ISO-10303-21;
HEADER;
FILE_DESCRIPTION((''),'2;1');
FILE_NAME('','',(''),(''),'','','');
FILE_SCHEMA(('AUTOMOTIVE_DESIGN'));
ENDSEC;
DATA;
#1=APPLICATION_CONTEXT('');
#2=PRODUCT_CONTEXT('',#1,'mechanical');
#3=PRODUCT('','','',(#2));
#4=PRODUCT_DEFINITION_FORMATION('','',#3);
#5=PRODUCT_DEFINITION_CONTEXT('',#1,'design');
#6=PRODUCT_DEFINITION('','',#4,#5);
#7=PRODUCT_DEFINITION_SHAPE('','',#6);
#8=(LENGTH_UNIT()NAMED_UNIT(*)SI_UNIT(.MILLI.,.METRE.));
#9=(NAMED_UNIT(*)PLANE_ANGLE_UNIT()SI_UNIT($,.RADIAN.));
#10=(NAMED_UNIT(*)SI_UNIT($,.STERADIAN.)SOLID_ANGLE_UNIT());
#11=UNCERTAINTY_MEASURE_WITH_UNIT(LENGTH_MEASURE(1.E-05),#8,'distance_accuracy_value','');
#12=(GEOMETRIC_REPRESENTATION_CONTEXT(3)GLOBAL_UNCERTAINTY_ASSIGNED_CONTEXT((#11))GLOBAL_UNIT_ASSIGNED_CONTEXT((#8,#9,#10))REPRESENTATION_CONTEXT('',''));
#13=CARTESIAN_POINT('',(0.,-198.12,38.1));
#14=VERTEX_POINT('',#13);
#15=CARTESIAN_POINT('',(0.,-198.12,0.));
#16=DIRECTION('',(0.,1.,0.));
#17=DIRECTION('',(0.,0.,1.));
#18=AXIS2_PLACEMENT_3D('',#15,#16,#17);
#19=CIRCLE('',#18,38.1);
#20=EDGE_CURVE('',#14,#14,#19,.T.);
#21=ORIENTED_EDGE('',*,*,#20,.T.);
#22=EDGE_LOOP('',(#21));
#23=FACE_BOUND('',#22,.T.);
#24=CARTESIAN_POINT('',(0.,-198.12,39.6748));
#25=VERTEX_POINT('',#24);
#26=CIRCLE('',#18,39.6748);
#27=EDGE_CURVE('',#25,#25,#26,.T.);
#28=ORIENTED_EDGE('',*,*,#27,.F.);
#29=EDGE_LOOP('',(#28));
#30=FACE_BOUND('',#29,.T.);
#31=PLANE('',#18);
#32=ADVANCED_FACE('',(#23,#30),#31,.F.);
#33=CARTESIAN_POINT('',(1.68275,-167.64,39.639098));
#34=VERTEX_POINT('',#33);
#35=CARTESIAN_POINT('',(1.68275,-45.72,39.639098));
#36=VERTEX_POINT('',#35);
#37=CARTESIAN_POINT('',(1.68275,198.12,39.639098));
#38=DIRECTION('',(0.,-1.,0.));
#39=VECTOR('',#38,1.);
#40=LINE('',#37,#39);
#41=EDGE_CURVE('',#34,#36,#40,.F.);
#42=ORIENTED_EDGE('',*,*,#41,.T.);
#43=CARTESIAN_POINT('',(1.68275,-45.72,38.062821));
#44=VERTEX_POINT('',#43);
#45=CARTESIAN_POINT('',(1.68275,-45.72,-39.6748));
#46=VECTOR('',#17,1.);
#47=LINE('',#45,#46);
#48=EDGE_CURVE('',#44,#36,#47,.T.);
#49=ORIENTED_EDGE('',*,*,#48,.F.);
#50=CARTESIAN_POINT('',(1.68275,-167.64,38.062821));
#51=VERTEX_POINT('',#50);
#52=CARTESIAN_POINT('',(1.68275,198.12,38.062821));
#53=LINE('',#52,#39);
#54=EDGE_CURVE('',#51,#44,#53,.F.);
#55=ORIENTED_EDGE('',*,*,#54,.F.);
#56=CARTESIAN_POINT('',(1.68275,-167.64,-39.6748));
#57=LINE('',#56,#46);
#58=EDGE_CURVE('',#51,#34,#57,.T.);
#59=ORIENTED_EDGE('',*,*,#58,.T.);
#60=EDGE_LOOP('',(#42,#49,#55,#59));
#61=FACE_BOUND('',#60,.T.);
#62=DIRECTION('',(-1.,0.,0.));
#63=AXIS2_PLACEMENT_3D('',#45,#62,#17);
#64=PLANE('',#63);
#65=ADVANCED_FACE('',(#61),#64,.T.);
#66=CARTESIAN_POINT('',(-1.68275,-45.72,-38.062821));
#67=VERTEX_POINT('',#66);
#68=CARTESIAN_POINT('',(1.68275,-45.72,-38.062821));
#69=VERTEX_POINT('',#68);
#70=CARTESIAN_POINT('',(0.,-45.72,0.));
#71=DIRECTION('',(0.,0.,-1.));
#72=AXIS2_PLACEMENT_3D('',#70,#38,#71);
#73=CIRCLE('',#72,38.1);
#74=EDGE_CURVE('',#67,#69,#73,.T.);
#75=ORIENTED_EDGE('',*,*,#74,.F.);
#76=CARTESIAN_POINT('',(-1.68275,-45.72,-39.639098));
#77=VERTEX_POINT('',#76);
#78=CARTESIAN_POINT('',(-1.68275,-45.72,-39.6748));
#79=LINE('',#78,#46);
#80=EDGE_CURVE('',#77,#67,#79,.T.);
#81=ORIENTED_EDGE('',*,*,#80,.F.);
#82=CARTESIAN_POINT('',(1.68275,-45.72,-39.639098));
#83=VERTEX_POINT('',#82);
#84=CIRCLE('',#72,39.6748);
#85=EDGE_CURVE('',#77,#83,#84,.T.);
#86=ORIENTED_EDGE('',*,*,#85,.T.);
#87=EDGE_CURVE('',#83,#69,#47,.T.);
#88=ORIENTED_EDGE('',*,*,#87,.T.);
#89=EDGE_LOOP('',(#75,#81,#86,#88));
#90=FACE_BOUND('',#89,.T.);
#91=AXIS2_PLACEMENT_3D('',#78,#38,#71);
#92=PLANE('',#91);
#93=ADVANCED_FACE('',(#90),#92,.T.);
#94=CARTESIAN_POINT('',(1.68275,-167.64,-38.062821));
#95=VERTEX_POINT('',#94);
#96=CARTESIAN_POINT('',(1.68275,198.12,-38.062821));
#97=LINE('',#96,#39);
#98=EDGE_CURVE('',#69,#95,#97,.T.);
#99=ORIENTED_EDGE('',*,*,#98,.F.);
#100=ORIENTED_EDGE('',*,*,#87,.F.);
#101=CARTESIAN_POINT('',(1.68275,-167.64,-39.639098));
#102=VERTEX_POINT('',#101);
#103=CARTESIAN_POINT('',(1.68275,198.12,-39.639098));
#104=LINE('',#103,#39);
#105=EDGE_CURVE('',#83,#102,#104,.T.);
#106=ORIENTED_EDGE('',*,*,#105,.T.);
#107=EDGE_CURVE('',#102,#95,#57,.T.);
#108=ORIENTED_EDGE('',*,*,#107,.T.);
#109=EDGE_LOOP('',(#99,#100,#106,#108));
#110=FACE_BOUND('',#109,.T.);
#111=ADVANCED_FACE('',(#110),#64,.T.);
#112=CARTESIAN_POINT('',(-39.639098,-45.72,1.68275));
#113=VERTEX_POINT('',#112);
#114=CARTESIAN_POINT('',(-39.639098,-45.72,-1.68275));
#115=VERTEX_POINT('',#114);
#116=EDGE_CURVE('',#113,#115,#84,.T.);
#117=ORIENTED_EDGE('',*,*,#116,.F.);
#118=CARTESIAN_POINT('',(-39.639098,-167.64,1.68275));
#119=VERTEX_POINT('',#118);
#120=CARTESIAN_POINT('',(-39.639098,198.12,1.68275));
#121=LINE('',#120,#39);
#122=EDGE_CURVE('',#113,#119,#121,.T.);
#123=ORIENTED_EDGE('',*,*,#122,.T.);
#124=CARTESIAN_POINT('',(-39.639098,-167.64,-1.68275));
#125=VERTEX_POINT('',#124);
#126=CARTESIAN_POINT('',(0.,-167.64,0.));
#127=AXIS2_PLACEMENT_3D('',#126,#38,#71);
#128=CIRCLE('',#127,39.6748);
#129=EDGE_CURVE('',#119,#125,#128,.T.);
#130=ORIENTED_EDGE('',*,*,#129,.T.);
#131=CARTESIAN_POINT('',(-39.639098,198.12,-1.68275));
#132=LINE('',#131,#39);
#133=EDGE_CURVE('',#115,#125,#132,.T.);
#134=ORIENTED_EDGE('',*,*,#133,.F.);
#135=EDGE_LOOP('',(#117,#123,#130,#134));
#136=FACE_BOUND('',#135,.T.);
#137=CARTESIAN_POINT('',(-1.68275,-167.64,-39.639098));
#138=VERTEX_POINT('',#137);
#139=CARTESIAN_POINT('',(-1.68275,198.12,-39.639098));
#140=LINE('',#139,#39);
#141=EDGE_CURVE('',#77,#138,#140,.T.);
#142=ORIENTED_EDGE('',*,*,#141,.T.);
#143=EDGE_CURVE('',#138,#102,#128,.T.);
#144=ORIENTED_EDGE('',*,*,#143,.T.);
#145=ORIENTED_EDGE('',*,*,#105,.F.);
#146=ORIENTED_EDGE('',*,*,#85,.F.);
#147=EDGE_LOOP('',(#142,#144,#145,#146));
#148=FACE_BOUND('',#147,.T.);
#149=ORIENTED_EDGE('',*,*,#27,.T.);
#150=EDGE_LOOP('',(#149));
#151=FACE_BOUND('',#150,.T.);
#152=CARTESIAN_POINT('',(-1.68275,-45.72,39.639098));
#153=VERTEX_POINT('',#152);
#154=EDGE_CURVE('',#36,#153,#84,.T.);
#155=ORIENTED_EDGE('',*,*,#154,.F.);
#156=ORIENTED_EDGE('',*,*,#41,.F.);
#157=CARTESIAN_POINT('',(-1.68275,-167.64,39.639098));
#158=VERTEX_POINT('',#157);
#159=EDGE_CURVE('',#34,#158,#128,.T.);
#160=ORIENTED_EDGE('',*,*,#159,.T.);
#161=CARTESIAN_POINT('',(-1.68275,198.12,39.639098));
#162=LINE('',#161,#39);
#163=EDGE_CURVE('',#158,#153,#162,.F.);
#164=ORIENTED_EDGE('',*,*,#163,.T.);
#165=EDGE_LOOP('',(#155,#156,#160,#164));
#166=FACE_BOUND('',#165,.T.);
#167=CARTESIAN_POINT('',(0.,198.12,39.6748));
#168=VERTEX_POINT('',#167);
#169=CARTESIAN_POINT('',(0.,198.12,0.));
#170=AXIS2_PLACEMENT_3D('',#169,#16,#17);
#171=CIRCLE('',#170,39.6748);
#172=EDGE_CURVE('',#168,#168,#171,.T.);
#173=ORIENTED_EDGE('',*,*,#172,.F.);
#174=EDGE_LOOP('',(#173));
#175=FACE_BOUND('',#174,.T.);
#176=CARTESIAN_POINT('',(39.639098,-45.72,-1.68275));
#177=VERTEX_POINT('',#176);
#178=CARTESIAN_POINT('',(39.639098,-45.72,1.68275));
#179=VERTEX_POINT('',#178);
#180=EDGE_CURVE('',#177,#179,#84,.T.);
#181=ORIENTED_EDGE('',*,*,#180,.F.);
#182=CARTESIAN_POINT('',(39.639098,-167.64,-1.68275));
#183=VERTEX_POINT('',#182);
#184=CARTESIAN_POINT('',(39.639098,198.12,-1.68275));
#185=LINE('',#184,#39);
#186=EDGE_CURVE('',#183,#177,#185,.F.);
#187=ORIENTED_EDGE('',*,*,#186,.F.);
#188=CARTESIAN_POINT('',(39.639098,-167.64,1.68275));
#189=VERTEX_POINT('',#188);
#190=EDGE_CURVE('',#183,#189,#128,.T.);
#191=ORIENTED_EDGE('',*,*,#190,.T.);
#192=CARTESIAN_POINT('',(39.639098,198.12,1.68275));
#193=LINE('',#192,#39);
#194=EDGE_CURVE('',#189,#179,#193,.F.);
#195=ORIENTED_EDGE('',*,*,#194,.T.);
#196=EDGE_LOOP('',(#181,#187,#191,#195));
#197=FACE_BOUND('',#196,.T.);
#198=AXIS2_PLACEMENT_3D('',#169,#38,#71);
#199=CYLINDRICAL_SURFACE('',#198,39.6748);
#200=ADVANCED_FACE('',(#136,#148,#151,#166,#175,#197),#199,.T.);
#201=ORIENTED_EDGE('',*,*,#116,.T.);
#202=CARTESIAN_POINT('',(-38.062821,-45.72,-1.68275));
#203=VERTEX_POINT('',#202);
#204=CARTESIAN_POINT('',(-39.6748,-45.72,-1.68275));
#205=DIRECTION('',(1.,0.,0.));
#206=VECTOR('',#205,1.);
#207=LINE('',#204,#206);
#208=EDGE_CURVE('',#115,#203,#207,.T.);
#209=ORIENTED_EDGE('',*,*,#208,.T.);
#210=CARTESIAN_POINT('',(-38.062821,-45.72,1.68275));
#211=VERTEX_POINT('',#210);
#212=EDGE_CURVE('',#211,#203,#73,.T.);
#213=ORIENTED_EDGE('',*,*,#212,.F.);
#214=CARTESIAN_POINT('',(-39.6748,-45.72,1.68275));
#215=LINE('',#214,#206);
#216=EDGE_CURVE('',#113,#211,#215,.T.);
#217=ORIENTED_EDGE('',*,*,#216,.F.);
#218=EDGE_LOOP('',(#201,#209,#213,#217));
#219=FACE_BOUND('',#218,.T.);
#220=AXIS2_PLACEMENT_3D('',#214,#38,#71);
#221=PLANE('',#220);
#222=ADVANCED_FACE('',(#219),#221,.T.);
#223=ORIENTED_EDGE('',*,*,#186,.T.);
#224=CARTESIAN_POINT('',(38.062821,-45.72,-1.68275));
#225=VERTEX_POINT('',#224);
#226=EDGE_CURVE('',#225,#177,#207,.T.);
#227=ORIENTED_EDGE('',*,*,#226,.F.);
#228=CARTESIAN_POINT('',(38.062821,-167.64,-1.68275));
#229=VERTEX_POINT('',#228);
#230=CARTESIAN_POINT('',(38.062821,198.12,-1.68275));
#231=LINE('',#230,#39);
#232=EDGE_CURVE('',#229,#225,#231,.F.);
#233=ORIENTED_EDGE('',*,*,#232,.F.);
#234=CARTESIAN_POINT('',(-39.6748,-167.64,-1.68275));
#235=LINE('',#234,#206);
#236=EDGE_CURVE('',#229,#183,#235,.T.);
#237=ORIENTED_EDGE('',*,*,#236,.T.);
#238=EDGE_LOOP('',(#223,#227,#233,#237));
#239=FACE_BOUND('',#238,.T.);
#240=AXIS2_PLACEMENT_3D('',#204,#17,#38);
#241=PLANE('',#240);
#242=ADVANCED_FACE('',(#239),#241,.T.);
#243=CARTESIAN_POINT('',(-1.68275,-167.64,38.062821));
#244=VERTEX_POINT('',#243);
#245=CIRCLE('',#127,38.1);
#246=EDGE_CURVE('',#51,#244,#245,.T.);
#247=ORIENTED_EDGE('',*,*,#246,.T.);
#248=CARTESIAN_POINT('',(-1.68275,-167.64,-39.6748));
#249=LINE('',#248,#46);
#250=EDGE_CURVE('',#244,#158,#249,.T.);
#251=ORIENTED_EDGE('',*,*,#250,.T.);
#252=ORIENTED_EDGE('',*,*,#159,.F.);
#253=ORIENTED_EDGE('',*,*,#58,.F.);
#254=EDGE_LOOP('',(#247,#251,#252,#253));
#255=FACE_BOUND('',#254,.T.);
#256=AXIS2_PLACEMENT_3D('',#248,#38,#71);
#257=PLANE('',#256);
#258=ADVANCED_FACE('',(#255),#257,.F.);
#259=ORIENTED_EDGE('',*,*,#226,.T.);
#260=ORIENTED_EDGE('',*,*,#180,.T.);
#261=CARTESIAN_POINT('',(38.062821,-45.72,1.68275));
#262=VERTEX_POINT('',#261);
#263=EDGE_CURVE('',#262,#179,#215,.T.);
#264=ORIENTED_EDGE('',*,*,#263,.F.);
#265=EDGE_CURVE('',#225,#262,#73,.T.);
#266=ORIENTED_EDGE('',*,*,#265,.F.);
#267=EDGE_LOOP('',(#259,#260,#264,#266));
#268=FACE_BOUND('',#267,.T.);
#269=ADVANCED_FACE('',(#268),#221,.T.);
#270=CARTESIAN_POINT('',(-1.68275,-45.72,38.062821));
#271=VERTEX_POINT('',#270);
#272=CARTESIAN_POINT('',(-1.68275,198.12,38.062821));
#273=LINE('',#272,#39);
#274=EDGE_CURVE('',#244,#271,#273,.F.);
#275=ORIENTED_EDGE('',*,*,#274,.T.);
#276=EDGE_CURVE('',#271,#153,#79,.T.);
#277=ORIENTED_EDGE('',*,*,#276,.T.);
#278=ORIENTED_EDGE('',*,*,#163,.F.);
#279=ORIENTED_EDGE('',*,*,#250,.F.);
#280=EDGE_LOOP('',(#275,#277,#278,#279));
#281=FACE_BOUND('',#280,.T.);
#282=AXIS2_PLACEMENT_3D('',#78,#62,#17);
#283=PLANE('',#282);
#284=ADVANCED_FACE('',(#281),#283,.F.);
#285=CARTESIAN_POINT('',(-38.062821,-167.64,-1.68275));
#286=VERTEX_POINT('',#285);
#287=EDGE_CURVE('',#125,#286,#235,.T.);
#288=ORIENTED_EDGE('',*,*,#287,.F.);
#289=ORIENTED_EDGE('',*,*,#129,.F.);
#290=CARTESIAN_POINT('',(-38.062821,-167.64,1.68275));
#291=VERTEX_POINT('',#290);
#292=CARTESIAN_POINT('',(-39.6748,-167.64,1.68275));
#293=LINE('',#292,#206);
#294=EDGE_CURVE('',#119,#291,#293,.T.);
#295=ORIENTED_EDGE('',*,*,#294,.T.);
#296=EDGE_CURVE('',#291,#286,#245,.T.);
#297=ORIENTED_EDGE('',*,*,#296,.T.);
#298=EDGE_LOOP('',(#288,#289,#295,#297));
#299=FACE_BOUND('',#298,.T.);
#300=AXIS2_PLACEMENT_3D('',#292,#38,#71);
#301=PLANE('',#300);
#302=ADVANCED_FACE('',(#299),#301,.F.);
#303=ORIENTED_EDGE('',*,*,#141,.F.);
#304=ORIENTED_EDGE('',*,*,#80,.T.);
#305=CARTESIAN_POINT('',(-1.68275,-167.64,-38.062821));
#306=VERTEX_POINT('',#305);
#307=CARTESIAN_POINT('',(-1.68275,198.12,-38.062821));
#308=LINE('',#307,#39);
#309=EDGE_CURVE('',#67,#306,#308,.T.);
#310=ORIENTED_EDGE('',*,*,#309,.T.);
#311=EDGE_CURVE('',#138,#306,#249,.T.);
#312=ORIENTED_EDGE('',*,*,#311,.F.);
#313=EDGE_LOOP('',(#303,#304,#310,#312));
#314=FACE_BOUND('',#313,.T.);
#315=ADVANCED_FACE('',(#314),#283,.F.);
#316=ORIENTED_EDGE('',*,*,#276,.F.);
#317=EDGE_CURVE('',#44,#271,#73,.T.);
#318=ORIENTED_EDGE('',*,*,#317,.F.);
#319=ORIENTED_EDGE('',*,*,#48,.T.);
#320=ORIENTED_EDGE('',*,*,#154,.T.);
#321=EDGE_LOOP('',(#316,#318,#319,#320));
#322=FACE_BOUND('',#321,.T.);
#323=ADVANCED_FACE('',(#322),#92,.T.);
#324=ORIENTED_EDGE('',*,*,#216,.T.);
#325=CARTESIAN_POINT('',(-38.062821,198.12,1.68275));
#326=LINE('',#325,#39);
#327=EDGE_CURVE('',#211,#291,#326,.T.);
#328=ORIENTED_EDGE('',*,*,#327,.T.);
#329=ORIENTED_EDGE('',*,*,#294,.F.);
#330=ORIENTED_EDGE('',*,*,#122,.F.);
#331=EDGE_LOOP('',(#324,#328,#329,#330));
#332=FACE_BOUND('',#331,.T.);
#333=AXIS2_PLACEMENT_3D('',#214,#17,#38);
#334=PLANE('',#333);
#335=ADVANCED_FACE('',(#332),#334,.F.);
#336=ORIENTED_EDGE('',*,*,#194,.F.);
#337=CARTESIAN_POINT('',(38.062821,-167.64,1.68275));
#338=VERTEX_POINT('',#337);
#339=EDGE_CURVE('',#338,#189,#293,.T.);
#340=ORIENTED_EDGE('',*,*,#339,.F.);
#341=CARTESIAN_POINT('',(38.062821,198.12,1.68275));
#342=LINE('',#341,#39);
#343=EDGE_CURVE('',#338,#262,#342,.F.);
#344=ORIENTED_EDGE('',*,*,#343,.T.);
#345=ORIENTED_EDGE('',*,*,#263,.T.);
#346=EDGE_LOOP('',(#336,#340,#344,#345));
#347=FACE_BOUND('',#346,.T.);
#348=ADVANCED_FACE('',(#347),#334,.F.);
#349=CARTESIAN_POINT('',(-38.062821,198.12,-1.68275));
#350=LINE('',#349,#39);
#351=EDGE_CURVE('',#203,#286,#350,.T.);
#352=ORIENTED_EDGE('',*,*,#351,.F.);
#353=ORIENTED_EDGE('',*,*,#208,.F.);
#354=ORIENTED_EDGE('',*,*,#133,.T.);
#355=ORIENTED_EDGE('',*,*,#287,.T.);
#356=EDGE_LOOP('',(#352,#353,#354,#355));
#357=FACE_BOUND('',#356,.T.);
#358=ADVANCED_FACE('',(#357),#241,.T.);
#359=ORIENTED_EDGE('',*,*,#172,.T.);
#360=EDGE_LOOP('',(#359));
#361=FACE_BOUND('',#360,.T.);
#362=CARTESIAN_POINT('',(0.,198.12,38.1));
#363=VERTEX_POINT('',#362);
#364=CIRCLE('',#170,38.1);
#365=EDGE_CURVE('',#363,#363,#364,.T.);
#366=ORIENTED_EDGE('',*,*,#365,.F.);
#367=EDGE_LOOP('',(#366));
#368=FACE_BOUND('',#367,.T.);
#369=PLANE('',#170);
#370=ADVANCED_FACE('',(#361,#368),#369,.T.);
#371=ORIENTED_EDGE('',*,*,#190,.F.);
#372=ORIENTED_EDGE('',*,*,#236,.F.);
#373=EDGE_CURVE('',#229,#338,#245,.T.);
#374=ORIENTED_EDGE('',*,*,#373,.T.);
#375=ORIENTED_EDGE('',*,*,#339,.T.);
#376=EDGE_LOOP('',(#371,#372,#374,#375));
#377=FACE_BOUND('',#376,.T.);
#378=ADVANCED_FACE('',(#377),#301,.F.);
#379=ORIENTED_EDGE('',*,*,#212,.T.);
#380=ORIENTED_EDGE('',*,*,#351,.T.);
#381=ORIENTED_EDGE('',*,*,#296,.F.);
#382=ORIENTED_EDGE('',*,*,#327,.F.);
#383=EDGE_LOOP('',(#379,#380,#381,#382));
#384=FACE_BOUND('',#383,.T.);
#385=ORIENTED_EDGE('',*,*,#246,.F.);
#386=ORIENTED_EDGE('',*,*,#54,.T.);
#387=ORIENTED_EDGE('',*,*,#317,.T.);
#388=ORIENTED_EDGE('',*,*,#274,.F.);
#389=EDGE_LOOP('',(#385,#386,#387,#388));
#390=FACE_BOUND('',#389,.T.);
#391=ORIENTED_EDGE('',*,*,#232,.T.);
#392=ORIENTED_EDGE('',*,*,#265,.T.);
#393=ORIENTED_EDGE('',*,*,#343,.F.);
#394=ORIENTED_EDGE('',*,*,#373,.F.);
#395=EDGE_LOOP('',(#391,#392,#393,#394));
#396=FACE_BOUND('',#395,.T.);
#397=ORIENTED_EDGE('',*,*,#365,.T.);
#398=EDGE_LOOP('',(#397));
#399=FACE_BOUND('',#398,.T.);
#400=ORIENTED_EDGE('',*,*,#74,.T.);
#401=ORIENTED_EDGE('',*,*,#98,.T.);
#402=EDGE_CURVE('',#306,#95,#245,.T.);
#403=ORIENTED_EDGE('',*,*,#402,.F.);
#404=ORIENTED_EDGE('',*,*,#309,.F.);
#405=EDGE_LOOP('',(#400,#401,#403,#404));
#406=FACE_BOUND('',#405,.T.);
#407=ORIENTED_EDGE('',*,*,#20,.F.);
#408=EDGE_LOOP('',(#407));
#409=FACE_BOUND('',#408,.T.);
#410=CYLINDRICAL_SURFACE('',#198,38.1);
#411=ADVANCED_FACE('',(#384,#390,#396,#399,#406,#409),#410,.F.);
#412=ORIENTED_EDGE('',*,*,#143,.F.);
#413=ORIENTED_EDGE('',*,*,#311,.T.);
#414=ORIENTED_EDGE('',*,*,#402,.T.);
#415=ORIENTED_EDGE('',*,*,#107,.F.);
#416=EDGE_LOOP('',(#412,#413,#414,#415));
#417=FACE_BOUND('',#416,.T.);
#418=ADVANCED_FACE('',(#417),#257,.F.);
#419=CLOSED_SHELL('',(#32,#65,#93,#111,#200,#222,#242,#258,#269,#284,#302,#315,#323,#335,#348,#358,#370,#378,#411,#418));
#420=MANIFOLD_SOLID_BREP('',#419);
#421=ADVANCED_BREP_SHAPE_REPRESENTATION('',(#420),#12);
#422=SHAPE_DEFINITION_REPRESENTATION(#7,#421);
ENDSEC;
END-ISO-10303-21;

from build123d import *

# Parameters (mm, degrees)
SKETCH1_R           = 39.6748
SKETCH1_R_2         = 38.1
BOSS_EXTRUDE1_DEPTH = 198.12
SKETCH2_W           = 3.3655
SKETCH2_H           = 121.92
CUT_EXTRUDE1_DEPTH  = 40.6748
CIRPATTERN2_COUNT   = 2
CIRPATTERN2_ANGLE   = 90


with BuildPart() as part:
    # Sketch1 → Boss-Extrude1 (new body, symmetric)
    with BuildSketch(Plane(origin=(0, 0, 0), x_dir=(1, 0, 0), z_dir=(0, 1, 0))):
        Circle(SKETCH1_R)
        Circle(SKETCH1_R_2, mode=Mode.SUBTRACT)
    extrude(amount=BOSS_EXTRUDE1_DEPTH, both=True)

    # Sketch2 → Cut-Extrude1 (cut, symmetric)
    with BuildSketch(Plane(origin=(0, 0, 0), x_dir=(0, 0, -1), z_dir=(1, 0, 0))):
        with Locations((0, -106.68)):
            Rectangle(SKETCH2_W, SKETCH2_H)
    cut_extrude1 = extrude(amount=CUT_EXTRUDE1_DEPTH, both=True, mode=Mode.SUBTRACT)

    # CirPattern2: Cut-Extrude1 ×2 about axis
    cirpattern2_axis = Axis((0, 198.12, 0), (0, -1, 0))
    for i in range(1, CIRPATTERN2_COUNT):
        add(cut_extrude1.rotate(cirpattern2_axis, i * CIRPATTERN2_ANGLE / (CIRPATTERN2_COUNT - 1)), mode=Mode.SUBTRACT)


solid = part.part
